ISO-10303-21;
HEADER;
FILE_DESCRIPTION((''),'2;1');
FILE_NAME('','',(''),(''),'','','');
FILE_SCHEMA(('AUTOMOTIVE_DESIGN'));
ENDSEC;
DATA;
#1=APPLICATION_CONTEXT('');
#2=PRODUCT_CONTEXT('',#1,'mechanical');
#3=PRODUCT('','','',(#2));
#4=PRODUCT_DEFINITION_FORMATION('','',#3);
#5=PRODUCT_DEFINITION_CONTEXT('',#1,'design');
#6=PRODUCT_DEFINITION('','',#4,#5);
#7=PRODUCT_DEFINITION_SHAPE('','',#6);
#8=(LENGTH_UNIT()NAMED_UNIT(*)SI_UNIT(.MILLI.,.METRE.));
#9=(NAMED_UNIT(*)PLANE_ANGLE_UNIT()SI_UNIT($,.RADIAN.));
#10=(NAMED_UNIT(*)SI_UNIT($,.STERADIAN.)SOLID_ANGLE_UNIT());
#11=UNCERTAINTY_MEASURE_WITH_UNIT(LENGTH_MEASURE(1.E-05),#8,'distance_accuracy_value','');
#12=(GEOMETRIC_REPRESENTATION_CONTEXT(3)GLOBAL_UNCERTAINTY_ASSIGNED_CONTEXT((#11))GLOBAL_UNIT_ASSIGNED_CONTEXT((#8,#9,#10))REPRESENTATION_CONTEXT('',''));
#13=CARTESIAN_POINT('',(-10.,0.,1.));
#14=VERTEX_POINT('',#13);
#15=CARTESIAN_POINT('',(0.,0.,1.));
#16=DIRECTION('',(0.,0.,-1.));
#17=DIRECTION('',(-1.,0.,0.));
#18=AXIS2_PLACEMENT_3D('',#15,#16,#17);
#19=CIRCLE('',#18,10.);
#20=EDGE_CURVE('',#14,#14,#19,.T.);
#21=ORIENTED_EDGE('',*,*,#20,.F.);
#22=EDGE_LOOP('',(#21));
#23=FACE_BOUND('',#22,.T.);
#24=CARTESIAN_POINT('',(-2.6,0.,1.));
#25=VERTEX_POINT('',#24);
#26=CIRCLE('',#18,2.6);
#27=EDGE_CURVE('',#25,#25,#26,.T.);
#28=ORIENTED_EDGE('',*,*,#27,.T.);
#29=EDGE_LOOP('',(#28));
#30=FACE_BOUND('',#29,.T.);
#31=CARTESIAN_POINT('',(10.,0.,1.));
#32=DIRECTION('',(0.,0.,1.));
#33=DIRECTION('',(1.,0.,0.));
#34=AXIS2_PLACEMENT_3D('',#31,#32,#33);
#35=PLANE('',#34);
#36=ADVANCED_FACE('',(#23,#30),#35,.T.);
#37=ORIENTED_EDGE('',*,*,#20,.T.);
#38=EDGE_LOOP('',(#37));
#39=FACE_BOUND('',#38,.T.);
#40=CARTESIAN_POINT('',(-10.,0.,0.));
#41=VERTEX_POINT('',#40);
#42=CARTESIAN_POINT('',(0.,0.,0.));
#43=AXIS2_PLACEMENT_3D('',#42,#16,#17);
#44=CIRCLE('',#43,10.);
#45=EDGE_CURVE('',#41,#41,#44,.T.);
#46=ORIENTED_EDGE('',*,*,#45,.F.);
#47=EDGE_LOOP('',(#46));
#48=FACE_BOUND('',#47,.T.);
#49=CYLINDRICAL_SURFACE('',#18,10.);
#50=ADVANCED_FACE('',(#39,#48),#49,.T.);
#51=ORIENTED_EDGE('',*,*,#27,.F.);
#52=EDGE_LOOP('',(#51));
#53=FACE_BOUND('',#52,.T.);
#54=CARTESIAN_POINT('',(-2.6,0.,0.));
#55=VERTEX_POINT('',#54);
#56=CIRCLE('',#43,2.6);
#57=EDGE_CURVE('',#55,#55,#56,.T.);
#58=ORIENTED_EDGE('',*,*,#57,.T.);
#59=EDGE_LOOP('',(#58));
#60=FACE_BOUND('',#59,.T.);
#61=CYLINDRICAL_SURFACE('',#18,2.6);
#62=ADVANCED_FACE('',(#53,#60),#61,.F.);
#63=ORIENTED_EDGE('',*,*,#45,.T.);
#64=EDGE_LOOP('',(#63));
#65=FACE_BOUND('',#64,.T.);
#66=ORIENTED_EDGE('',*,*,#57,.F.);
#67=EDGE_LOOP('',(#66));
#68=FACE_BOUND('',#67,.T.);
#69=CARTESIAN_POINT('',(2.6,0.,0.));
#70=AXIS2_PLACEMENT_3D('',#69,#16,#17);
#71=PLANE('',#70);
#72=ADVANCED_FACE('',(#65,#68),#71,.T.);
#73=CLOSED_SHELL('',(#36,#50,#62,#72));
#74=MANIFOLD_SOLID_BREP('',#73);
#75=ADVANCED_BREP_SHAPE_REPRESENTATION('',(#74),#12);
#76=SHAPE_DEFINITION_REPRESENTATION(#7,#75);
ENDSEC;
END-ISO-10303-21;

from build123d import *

# Parameters (mm, degrees)
SKETCH1_W = 7.4
SKETCH1_H = 1


with BuildPart() as part:
    # Sketch1 → Revolve1 (revolve)
    with BuildSketch(Plane.XZ, mode=Mode.PRIVATE) as revolve1_sk:
        with Locations((6.3, 0.5)):
            Rectangle(SKETCH1_W, SKETCH1_H)
    revolve(revolve1_sk.sketch.rotate(Axis((0, 0, 1), (0, 0, -1)), 180), axis=Axis((0, 0, 1), (0, 0, -1)))


solid = part.part
